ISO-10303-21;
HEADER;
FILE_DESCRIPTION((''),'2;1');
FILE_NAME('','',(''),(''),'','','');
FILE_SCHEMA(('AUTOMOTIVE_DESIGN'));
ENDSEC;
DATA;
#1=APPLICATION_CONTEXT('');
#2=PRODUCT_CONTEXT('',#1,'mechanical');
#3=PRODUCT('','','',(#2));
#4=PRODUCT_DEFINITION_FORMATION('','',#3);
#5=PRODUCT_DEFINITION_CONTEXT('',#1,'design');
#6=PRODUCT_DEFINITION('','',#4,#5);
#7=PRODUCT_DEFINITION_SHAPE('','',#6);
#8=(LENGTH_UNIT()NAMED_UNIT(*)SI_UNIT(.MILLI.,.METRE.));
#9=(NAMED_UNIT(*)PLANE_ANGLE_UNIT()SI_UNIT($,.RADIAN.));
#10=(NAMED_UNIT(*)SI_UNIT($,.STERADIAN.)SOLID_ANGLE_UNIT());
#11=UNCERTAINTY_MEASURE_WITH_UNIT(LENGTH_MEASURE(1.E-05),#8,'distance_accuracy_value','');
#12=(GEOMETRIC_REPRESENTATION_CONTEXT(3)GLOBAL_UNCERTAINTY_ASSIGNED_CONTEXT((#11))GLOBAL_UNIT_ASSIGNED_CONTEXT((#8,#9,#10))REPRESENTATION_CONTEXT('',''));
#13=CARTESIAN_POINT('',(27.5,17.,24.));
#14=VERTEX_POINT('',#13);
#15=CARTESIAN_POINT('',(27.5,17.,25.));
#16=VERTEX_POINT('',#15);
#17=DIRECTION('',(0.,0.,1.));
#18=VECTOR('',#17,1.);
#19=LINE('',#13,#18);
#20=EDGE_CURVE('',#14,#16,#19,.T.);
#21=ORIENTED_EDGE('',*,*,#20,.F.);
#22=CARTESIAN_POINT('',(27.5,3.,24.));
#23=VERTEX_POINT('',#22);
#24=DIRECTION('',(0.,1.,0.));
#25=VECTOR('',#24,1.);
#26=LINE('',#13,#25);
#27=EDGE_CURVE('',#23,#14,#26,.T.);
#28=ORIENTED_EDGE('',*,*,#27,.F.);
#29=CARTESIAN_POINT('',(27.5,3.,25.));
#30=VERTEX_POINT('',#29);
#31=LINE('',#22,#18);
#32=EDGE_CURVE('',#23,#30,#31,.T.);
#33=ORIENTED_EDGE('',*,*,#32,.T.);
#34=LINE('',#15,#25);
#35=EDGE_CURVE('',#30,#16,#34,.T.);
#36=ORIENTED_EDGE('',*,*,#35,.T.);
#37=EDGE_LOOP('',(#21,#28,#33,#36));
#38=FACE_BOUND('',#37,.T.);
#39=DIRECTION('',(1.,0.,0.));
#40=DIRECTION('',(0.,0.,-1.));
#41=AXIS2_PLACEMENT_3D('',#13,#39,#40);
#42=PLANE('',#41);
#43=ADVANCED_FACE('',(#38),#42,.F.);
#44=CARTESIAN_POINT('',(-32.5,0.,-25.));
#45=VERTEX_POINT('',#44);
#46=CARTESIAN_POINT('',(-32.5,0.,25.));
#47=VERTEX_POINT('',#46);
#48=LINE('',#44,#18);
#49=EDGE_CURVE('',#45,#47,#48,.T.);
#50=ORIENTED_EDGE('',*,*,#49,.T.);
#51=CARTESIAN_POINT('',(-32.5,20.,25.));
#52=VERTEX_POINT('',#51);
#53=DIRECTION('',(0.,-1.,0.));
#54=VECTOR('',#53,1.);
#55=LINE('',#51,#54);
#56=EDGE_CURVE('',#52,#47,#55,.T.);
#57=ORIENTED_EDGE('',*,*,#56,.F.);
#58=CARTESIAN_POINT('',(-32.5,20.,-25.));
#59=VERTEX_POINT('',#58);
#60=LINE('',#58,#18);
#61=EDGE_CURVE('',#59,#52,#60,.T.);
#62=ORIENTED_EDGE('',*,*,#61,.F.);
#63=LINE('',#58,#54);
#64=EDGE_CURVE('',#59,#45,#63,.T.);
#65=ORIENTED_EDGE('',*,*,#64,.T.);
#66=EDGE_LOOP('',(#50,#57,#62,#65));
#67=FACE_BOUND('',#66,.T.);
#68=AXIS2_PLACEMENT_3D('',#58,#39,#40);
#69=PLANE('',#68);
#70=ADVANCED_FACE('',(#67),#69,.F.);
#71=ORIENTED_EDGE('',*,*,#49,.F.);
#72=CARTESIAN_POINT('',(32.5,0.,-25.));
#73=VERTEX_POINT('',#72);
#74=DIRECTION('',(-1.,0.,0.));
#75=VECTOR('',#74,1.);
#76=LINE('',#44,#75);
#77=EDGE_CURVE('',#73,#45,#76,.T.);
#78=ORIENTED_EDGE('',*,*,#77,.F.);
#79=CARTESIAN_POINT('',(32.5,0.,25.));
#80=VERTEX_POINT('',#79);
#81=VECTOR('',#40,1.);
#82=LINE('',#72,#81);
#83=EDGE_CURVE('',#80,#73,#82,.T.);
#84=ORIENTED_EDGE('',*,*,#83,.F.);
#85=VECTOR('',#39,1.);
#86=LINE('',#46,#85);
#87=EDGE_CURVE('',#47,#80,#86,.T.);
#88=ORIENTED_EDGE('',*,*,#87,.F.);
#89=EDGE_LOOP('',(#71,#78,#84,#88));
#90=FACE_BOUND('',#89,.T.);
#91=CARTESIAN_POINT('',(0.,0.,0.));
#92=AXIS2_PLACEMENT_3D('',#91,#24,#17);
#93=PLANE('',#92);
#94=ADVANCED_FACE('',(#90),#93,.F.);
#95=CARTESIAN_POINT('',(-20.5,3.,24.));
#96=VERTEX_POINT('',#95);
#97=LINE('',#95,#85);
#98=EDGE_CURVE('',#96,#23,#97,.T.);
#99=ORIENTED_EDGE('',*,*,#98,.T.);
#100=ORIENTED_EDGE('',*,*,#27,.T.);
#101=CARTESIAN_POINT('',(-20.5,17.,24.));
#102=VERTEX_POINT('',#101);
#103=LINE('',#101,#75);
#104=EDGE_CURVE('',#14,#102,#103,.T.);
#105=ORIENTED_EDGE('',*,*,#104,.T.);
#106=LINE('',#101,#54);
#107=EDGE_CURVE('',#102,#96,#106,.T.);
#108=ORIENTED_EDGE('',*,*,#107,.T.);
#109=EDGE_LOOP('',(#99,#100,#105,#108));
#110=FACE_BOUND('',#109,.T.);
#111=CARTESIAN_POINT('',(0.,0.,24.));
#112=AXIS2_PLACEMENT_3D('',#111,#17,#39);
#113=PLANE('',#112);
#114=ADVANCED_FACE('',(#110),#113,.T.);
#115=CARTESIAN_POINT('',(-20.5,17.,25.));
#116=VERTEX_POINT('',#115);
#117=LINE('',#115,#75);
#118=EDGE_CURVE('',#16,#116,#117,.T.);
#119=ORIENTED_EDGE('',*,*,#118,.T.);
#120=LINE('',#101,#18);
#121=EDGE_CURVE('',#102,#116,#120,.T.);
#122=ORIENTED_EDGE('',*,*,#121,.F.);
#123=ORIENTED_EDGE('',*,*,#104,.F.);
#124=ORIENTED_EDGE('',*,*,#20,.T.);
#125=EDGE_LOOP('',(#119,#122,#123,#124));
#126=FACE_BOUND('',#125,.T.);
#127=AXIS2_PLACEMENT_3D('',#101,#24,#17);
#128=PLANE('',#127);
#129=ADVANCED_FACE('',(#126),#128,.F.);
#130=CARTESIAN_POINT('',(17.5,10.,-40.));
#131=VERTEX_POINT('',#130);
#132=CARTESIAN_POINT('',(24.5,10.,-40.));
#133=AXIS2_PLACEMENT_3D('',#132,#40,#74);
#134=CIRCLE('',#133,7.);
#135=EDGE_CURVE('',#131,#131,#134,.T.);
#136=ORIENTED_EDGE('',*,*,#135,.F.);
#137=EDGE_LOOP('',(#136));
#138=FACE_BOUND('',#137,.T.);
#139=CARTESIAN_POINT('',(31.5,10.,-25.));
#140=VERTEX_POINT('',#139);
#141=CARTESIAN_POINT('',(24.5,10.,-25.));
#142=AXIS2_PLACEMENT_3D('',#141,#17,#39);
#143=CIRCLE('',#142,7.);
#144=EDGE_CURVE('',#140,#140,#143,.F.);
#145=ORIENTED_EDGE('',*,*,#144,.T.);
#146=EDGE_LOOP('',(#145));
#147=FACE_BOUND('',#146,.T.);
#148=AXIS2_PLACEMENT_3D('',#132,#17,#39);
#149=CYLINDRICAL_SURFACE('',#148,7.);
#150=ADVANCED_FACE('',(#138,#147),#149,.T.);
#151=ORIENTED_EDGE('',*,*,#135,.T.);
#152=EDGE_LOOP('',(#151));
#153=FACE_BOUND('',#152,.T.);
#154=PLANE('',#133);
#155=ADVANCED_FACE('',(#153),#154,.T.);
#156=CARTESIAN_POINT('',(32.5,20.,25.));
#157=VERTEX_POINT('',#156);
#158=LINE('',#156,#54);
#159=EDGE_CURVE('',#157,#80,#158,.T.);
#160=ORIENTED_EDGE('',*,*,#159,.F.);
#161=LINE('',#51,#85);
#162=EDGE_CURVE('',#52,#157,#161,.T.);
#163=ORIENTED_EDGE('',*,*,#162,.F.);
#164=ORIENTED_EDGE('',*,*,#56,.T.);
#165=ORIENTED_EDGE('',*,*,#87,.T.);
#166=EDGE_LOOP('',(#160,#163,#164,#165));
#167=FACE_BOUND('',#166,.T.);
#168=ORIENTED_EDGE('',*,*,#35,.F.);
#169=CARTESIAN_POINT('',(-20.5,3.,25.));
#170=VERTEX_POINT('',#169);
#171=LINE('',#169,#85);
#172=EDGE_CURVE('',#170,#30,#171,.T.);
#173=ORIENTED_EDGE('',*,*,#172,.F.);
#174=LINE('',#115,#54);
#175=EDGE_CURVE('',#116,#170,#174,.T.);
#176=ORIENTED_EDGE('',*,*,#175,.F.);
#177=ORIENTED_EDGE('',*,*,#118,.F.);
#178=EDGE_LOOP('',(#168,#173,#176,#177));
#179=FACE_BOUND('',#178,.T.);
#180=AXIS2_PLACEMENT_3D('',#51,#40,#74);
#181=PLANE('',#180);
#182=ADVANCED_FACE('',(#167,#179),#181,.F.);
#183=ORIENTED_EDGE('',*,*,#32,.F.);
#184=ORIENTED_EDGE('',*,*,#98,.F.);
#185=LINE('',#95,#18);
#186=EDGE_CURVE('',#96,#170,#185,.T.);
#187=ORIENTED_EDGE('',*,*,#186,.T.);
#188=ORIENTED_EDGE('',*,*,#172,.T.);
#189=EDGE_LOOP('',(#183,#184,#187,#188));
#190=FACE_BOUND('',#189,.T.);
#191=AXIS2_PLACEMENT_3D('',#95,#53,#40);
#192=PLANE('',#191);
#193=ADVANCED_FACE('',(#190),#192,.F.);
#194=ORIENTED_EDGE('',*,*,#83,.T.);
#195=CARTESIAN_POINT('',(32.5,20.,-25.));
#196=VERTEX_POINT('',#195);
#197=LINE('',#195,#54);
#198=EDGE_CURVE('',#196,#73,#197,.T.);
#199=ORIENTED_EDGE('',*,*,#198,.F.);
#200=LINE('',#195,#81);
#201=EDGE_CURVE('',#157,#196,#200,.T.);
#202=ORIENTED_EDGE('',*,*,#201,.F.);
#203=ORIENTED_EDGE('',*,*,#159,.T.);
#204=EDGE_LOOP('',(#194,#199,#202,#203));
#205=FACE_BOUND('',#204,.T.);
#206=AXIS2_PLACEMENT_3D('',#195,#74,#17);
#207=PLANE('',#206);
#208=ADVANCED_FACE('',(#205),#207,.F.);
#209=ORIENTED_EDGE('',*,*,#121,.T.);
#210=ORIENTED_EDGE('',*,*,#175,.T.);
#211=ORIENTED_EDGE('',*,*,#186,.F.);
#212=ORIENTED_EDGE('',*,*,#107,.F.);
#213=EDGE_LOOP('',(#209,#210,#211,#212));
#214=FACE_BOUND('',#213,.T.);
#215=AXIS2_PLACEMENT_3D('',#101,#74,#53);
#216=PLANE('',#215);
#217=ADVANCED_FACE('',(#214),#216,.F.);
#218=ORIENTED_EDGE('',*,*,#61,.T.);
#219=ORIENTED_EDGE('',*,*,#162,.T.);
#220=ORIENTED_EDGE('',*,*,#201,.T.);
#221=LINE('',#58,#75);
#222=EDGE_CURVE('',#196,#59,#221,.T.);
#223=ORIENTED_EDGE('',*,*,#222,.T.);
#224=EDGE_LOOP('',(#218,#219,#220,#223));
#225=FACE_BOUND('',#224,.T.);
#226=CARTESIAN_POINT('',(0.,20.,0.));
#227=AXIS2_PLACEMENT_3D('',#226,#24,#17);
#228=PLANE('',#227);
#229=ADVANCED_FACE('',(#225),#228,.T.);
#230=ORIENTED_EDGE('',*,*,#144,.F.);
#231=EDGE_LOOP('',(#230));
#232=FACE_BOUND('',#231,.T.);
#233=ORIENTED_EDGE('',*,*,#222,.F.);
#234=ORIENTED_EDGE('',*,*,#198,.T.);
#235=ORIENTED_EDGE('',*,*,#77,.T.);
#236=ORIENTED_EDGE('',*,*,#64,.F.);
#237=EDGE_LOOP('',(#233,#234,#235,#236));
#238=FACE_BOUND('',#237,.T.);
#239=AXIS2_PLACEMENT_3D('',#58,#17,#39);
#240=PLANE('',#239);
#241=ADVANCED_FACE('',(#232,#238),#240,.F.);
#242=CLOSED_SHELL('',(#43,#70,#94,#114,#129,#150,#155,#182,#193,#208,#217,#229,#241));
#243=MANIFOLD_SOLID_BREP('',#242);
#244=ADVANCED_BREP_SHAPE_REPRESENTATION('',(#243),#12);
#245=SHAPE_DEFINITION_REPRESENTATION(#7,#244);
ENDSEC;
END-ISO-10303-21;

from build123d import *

# Parameters (mm, degrees)
SKETCH2_W           = 65
SKETCH2_H           = 50
BOSS_EXTRUDE1_DEPTH = 20
SKETCH3_R           = 7
BOSS_EXTRUDE2_DEPTH = 15
SKETCH4_W           = 48
SKETCH4_H           = 14
CUT_EXTRUDE1_DEPTH  = 1


with BuildPart() as part:
    # Sketch2 → Boss-Extrude1 (new body)
    with BuildSketch(Plane(origin=(0, 0, 0), x_dir=(1, 0, 0), z_dir=(0, 1, 0))):
        Rectangle(SKETCH2_W, SKETCH2_H)
    extrude(amount=BOSS_EXTRUDE1_DEPTH)

    # Sketch3 → Boss-Extrude2 (add)
    with BuildSketch(Plane(origin=(0, 0, -25), x_dir=(-1, 0, 0), z_dir=(0, 0, -1))):
        with Locations(Location((-24.5, 10, 0), (0, 0, 180))):
            Circle(SKETCH3_R)
    extrude(amount=BOSS_EXTRUDE2_DEPTH)

    # Sketch4 → Cut-Extrude1 (cut)
    with BuildSketch(Plane.XY.offset(25)):
        with Locations((3.5, 10)):
            Rectangle(SKETCH4_W, SKETCH4_H)
    extrude(amount=-CUT_EXTRUDE1_DEPTH, mode=Mode.SUBTRACT)


solid = part.part
